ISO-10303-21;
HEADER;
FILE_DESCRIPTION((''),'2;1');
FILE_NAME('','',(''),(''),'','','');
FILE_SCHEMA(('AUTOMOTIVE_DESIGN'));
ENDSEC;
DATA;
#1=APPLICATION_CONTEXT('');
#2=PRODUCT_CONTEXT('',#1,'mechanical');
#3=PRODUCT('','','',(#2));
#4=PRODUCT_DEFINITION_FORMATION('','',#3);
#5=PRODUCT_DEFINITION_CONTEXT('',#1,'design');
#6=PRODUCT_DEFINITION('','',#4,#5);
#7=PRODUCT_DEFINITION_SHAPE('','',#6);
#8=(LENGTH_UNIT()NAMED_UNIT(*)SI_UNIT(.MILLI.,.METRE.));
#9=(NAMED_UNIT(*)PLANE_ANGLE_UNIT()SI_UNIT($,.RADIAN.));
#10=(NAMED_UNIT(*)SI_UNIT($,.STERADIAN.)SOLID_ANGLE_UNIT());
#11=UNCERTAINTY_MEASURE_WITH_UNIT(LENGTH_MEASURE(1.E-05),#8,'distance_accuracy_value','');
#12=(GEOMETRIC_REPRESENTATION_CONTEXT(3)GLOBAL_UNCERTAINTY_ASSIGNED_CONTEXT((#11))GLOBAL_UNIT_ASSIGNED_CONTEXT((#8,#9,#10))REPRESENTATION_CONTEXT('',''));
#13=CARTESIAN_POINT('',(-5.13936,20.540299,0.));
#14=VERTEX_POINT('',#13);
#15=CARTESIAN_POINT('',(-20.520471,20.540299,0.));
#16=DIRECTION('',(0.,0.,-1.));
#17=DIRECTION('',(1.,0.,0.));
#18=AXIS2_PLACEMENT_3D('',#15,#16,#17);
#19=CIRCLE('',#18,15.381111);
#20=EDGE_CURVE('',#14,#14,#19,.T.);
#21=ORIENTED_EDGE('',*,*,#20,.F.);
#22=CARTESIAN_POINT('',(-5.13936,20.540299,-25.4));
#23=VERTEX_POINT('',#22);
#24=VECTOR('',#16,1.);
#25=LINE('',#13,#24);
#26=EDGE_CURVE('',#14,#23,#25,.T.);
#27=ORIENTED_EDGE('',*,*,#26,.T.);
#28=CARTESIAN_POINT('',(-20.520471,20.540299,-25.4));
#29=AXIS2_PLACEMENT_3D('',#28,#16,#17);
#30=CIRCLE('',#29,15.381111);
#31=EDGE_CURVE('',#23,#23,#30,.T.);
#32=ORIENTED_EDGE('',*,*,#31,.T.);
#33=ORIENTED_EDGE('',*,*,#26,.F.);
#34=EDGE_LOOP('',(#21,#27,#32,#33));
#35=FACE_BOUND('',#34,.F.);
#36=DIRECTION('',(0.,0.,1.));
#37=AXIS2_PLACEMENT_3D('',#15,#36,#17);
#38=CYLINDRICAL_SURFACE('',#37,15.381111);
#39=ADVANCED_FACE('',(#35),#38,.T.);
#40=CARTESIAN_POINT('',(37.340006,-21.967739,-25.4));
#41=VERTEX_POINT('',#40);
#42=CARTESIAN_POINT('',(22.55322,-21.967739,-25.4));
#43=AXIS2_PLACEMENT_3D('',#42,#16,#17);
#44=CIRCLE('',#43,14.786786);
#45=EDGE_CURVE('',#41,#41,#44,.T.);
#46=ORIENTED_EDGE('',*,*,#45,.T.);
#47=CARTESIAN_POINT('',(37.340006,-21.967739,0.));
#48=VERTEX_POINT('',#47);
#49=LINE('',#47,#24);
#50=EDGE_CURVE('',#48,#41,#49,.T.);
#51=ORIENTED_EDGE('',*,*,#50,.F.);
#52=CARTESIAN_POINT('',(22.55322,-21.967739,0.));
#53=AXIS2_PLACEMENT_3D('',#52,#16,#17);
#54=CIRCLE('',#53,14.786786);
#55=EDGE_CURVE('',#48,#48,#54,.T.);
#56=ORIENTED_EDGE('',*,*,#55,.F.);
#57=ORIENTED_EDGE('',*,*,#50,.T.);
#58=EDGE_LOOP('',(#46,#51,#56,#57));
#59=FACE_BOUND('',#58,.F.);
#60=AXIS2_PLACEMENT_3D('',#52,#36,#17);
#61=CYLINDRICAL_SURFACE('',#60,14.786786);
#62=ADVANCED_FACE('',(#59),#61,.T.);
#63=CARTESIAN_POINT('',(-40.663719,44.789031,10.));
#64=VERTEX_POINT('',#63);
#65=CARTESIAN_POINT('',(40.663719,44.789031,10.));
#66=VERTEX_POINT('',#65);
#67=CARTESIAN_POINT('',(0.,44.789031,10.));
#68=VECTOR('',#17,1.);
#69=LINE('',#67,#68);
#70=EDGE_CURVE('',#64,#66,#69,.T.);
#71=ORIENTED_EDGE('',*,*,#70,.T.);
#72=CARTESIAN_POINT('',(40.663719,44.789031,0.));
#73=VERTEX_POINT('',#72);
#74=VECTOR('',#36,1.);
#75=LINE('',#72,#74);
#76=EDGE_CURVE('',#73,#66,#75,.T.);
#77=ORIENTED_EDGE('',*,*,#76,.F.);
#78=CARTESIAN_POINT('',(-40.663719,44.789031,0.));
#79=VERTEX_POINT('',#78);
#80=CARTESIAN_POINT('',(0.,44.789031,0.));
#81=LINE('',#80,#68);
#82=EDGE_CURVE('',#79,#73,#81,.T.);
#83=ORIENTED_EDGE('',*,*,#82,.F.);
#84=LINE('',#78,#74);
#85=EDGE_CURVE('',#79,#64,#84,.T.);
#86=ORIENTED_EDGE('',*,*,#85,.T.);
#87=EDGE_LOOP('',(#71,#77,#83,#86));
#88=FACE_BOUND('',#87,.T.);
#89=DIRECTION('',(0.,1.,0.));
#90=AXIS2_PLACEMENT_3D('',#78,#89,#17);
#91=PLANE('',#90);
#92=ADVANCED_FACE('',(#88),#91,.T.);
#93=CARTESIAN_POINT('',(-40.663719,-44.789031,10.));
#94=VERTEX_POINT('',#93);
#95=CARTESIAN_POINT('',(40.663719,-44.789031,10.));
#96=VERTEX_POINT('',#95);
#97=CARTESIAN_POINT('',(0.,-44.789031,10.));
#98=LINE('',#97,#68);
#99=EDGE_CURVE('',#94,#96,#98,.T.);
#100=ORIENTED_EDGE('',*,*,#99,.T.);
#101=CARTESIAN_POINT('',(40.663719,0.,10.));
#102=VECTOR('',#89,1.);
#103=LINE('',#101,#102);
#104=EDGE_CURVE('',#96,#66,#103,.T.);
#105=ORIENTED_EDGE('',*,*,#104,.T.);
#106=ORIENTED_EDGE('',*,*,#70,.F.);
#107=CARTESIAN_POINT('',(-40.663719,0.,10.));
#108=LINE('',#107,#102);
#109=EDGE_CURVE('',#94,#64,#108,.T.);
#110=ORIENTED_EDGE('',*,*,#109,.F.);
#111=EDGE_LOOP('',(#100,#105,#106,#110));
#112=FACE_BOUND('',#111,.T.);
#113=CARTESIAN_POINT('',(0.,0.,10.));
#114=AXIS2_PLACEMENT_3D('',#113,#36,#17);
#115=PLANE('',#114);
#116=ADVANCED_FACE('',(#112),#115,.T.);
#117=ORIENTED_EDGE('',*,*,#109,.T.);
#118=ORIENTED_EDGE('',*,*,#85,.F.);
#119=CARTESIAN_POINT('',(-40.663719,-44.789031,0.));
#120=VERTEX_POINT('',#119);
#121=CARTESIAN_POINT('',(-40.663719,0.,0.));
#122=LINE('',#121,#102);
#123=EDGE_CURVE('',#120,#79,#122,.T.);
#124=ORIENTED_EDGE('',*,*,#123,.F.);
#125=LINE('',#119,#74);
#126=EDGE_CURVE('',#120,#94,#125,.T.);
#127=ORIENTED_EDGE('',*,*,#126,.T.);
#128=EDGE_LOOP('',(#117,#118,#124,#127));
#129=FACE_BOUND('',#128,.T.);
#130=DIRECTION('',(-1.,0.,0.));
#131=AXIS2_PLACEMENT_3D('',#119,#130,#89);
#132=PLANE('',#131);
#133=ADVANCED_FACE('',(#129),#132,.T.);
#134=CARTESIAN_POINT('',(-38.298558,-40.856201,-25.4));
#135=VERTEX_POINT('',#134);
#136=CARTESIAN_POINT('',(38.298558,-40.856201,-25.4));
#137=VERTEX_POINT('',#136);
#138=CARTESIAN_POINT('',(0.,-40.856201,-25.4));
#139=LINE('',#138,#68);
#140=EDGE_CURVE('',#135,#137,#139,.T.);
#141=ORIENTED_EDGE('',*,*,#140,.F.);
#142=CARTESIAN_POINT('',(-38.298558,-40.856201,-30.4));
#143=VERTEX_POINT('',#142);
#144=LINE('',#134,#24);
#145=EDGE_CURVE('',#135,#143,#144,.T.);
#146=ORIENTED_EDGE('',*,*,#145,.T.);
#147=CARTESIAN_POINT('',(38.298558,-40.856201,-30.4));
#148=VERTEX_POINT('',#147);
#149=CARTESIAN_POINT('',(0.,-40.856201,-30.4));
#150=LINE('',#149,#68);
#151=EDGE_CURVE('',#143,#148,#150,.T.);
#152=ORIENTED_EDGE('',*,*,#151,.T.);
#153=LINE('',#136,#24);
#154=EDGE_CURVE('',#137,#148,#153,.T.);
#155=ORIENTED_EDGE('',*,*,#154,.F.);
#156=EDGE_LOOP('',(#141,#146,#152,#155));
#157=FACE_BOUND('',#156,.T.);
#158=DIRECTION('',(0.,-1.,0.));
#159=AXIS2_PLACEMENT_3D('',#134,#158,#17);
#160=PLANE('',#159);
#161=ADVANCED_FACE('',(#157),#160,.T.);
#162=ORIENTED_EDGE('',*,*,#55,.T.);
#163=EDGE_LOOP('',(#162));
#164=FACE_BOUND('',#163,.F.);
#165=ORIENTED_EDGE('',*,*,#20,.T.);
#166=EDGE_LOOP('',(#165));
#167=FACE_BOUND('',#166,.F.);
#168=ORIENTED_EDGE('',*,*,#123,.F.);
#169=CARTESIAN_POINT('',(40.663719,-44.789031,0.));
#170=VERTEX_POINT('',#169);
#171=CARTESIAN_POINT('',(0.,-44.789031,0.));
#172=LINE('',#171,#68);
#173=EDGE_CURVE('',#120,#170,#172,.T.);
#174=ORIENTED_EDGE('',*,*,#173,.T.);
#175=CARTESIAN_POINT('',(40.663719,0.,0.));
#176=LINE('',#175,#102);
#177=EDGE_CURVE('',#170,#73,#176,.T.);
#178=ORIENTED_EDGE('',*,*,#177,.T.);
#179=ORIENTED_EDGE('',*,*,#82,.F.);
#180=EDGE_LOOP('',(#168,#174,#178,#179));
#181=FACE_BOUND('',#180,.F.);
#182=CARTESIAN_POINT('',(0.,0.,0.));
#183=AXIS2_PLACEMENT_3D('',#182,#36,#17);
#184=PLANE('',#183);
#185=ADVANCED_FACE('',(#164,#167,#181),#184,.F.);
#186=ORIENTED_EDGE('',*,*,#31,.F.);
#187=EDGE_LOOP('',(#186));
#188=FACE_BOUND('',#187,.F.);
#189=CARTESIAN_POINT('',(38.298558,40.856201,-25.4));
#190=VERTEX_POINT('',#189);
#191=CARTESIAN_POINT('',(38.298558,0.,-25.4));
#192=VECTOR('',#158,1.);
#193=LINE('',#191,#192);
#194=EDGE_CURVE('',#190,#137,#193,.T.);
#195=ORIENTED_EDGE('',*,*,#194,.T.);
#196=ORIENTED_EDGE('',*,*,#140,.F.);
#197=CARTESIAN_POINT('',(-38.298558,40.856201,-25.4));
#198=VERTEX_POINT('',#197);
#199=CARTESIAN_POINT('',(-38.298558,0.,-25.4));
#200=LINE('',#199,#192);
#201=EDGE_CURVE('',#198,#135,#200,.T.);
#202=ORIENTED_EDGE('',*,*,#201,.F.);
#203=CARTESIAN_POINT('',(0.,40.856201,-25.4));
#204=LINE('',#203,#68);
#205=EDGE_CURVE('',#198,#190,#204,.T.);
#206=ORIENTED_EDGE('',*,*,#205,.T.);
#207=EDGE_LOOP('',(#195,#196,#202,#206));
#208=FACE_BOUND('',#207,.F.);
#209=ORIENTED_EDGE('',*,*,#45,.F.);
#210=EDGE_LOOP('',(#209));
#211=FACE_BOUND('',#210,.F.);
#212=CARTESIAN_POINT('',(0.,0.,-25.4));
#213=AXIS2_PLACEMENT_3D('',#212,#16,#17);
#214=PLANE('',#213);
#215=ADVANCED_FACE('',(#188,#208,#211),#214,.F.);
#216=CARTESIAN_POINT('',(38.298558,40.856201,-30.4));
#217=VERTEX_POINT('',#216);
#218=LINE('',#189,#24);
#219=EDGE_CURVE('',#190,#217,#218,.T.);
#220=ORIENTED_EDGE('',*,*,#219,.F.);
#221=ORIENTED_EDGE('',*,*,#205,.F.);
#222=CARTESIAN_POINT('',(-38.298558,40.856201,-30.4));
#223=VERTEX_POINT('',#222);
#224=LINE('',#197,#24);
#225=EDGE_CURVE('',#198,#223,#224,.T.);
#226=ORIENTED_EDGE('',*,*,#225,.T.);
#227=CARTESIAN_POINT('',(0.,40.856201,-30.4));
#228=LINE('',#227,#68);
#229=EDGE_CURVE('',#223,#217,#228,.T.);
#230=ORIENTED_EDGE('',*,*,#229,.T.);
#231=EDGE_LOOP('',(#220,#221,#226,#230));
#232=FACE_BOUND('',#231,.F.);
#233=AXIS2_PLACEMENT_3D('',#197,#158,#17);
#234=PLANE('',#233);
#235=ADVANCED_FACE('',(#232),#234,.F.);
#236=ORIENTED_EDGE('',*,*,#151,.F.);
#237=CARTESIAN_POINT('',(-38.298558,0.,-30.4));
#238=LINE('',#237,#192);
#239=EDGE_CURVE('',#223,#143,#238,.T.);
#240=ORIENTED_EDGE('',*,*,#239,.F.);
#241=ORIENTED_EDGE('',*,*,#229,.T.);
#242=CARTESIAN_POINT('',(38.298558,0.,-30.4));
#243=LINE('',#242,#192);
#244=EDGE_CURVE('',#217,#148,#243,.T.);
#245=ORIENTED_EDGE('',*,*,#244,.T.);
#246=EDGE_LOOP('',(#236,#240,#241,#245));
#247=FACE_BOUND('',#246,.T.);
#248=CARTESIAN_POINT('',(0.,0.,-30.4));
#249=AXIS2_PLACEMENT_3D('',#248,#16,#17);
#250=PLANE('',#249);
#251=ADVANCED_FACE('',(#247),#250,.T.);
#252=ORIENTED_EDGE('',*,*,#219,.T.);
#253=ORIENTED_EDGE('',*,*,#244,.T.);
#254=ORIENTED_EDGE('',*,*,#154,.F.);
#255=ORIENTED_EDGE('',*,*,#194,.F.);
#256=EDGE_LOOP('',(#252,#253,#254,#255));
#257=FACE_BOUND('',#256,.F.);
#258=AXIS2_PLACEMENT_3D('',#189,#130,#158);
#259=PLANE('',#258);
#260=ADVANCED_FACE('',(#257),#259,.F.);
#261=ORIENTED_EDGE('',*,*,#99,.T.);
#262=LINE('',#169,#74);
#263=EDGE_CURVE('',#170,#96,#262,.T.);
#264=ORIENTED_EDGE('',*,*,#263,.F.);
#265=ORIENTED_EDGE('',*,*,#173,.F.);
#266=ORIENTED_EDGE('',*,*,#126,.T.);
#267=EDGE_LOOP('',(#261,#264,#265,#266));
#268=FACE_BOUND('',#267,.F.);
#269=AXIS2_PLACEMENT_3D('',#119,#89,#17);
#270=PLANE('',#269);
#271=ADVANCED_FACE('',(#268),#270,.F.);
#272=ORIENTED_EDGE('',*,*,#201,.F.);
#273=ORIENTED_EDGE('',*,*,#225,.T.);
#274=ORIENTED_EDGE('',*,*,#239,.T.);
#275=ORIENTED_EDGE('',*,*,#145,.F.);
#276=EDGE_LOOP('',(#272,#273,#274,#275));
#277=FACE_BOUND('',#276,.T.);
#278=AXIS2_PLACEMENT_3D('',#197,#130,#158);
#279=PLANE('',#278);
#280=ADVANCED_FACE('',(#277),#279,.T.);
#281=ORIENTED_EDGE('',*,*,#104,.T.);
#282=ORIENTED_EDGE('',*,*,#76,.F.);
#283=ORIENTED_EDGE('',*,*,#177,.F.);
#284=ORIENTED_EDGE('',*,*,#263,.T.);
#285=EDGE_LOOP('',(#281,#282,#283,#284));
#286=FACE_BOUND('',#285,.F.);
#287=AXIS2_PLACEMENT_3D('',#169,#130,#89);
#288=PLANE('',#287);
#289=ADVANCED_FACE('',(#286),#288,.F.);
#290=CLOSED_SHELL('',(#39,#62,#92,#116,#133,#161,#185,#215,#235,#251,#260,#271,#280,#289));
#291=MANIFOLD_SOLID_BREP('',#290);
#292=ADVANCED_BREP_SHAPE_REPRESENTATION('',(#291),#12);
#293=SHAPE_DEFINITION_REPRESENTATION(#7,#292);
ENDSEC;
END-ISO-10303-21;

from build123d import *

# Parameters (mm, degrees)
F0_W     = 81.327438
F0_H     = 89.578062
F1_DEPTH = 10
F2_R     = 15.381111
F2_R_2   = 14.786786
F3_DEPTH = 25.4
F4_W     = 76.597116
F4_H     = 81.712402
F5_DEPTH = 5


with BuildPart() as f1:
    # F0 (on Top) → F1 (new body)
    with BuildSketch(Plane.XY):
        Rectangle(F0_W, F0_H)
    extrude(amount=F1_DEPTH)

    # F2 (on face) → F3 (join)
    with BuildSketch(Plane(origin=(0, 0, 0), x_dir=(1, 0, 0), z_dir=(0, 0, -1))):
        with Locations((-20.520471, -20.540299)):
            Circle(F2_R)
        with Locations((22.55322, 21.967739)):
            Circle(F2_R_2)
    extrude(amount=F3_DEPTH)

    # F4 (on face) → F5 (join)
    with BuildSketch(Plane(origin=(0, 0, -25.4), x_dir=(1, 0, 0), z_dir=(0, 0, -1))):
        Rectangle(F4_W, F4_H)
    extrude(amount=F5_DEPTH)


solid = f1.part
